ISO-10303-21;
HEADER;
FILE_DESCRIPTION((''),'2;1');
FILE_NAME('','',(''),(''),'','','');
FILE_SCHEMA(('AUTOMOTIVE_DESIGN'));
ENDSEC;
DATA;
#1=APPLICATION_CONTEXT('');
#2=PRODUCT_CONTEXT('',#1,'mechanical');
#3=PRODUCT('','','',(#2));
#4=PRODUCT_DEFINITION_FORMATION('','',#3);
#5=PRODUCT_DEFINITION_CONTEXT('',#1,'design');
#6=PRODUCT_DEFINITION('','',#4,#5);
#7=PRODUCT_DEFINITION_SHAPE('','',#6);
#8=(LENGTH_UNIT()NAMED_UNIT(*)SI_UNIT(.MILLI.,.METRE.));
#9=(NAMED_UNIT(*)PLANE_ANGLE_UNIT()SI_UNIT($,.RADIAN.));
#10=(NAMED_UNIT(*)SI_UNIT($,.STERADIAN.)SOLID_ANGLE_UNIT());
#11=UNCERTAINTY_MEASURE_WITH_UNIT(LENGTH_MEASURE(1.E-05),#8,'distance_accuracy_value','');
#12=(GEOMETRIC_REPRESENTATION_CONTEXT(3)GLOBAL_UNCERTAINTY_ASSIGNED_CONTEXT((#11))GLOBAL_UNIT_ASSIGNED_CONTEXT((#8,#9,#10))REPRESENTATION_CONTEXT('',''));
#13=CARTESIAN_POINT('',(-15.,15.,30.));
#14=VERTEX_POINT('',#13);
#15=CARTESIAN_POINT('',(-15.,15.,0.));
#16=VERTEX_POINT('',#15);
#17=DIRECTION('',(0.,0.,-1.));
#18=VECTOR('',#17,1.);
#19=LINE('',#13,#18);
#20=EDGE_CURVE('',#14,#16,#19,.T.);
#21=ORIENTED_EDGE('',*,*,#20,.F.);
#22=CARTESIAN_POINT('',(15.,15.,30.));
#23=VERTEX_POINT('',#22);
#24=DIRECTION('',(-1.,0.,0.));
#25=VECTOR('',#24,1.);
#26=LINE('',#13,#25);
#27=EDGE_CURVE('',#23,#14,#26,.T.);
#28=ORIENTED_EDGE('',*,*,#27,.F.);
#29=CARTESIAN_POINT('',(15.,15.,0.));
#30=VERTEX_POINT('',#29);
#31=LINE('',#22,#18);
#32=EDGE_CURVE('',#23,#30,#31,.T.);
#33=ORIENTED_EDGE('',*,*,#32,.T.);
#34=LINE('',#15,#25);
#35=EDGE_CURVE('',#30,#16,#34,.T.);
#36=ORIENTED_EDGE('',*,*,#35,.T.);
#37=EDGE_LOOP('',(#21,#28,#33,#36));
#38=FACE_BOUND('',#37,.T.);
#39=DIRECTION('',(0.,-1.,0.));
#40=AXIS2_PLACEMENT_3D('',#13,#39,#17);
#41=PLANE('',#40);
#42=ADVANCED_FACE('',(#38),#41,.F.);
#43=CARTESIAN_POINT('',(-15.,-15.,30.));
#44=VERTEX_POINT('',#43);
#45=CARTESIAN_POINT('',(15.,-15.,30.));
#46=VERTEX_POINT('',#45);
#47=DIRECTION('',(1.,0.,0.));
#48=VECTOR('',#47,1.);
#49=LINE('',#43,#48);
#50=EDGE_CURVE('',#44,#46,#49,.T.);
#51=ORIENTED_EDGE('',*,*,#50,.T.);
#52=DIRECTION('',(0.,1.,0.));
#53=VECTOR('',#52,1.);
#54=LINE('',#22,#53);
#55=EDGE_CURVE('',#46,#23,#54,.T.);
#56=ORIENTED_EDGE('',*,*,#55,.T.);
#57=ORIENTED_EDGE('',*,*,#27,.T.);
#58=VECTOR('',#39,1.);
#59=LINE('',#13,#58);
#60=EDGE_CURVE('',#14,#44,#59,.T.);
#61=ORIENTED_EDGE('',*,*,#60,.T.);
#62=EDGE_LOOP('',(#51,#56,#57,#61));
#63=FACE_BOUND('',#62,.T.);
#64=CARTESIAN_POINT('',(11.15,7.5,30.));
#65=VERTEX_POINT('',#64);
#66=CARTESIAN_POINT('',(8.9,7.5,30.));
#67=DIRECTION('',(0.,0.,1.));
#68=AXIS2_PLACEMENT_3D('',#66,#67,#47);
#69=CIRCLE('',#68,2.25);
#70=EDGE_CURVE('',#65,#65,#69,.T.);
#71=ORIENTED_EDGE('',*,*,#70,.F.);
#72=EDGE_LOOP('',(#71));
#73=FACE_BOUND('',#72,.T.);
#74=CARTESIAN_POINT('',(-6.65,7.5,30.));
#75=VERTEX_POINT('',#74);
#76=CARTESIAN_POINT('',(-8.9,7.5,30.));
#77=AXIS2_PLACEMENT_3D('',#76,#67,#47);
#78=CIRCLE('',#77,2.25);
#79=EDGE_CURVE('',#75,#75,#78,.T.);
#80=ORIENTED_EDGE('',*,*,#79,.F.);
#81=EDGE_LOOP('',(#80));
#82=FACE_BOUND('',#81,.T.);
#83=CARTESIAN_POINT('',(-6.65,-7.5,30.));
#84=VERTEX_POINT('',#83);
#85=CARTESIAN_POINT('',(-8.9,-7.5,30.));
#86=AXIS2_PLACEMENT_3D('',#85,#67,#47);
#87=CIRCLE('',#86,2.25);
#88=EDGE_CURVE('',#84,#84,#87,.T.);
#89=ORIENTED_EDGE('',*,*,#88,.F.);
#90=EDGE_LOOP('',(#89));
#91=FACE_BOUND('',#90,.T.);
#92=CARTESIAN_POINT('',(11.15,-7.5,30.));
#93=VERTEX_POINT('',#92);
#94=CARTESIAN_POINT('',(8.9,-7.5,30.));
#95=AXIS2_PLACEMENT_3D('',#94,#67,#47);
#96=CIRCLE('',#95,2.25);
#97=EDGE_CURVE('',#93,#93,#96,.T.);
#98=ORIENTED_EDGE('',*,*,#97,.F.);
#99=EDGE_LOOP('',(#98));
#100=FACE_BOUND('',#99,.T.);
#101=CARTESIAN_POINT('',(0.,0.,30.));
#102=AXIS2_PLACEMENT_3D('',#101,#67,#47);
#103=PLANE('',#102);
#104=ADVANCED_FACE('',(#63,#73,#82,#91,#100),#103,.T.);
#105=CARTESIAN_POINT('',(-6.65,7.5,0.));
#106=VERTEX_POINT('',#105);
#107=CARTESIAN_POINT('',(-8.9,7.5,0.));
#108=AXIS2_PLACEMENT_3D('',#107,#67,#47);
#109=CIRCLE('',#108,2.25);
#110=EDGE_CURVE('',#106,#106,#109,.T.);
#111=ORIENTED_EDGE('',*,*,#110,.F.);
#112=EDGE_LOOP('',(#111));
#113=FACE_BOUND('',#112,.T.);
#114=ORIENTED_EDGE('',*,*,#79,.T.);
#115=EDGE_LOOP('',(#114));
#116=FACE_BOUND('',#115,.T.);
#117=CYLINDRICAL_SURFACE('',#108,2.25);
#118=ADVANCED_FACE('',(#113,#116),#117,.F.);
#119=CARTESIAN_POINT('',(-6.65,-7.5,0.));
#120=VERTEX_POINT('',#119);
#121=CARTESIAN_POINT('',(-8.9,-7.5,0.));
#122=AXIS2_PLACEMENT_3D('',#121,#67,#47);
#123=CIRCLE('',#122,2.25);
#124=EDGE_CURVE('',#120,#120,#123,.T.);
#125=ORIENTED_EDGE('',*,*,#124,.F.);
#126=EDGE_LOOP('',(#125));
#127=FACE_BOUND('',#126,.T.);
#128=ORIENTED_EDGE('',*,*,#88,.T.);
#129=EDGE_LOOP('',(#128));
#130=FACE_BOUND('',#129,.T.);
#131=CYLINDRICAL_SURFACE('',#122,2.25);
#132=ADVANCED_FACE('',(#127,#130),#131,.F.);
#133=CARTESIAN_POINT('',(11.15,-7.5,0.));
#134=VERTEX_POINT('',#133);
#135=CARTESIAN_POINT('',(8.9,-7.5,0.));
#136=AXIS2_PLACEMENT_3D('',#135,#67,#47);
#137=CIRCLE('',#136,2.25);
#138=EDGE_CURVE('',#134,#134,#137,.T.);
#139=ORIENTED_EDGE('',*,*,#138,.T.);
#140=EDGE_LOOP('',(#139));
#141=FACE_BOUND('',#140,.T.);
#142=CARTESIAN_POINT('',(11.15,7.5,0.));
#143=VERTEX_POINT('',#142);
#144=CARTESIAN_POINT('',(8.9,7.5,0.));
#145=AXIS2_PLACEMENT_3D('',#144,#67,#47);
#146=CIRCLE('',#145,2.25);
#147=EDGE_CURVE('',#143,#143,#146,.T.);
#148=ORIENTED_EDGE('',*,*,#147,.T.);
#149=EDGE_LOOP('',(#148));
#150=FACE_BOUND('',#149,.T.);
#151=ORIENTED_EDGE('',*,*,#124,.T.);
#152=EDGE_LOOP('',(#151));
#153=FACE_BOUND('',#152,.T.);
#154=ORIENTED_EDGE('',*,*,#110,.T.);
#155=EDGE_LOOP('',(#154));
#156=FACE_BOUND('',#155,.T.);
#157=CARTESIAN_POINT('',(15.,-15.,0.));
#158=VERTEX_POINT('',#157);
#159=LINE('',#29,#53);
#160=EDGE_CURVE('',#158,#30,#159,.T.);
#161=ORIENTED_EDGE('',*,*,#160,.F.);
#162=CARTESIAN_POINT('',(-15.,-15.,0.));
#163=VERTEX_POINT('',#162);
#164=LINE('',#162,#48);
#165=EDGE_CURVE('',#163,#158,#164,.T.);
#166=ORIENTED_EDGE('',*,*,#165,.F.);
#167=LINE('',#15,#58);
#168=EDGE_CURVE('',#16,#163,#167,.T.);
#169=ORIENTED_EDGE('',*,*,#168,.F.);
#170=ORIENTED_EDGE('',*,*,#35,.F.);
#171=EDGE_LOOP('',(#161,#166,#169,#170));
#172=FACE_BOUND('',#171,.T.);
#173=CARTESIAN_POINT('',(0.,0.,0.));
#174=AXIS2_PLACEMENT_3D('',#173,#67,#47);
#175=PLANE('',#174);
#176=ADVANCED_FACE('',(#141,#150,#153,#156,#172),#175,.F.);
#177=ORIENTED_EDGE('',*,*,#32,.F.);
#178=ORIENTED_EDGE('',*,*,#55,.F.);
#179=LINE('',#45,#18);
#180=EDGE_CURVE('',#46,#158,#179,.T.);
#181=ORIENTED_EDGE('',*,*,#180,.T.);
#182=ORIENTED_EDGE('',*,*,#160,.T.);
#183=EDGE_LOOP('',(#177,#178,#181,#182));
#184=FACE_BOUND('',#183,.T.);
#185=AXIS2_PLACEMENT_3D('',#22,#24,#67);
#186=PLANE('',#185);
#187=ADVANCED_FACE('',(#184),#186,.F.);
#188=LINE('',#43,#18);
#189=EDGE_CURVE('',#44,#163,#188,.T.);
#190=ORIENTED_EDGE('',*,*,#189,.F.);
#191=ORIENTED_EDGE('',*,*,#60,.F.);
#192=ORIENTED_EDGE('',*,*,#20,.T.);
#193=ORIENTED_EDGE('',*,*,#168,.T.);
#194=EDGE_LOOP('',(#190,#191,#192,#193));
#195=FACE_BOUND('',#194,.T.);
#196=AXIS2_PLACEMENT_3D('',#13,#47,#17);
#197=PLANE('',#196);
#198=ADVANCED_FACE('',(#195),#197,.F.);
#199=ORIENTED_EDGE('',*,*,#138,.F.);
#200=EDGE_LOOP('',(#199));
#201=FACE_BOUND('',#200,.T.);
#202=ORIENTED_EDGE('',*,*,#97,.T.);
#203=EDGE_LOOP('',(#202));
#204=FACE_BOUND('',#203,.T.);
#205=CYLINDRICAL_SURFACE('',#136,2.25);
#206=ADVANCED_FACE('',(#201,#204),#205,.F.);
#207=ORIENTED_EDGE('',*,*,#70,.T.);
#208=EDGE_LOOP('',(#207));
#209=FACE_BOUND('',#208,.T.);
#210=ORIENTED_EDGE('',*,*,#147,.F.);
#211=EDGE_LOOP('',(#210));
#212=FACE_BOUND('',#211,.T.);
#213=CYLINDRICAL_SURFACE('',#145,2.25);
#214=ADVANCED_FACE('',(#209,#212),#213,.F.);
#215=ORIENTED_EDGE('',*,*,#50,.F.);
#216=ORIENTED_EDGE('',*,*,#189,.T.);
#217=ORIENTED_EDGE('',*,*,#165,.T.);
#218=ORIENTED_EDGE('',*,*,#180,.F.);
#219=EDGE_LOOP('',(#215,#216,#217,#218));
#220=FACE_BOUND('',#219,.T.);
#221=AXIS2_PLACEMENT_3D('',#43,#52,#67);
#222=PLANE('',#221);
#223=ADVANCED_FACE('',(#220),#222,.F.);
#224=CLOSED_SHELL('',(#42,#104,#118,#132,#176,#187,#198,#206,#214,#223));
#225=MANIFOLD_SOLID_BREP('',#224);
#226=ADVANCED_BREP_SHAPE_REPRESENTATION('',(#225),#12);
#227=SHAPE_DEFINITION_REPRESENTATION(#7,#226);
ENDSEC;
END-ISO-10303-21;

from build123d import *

# Parameters (mm, degrees)
SKETCH_1_W          = 30
SKETCH_1_H          = 30
EXTRUDE_1_DEPTH     = 30
SKETCH_4_R          = 2.25
CUT_EXTRUDE_2_DEPTH = 37.742346142


with BuildPart() as part:
    # 草图1 → 凸台-拉伸1 (new body)
    with BuildSketch(Plane.XY):
        Rectangle(SKETCH_1_W, SKETCH_1_H)
    extrude(amount=EXTRUDE_1_DEPTH)

    # 草图4 → 切除-拉伸2 (cut, through all)
    with BuildSketch(Plane.XY.offset(30)):
        with Locations((8.9, 7.5)):
            Circle(SKETCH_4_R)
        with Locations((8.9, -7.5)):
            Circle(SKETCH_4_R)
        with Locations((-8.9, 7.5)):
            Circle(SKETCH_4_R)
        with Locations((-8.9, -7.5)):
            Circle(SKETCH_4_R)
    extrude(amount=-CUT_EXTRUDE_2_DEPTH, mode=Mode.SUBTRACT)


solid = part.part
